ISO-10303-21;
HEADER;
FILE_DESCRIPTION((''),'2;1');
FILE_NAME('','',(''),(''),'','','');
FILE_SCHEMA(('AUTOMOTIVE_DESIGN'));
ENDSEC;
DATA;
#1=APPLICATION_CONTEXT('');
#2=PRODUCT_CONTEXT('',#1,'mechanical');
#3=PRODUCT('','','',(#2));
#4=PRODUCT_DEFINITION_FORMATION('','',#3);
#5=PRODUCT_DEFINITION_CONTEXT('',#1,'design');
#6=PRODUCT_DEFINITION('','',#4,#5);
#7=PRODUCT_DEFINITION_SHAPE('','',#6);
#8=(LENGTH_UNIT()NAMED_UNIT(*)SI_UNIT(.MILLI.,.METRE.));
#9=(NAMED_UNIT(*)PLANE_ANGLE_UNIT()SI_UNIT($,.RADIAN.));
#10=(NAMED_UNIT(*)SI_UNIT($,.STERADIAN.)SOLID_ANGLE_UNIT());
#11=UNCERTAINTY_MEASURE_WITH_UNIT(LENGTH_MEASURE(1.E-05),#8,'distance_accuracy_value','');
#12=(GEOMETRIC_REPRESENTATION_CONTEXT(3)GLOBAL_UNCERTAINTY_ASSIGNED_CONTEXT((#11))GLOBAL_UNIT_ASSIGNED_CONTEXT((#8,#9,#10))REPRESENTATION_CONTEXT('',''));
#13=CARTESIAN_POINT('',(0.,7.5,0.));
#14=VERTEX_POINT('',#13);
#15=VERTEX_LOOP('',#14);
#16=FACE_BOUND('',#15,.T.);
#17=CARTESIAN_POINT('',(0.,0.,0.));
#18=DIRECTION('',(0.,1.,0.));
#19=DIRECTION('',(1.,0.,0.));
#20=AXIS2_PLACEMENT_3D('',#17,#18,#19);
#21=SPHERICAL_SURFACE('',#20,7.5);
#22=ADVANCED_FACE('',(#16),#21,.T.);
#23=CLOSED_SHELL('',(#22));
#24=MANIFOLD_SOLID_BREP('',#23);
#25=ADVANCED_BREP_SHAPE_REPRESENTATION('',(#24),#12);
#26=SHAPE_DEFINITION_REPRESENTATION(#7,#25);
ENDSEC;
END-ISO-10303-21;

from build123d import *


with BuildPart() as part:
    # Croquis1 → Revolución3 (revolve)
    with BuildSketch(Plane.XY):
        with BuildLine():
            Line((0, 7.5), (0, -7.5))
            ThreePointArc((0, -7.5), (-7.5, 0), (0, 7.5))
        make_face()
    revolve(axis=Axis((0, 7.5, 0), (0, -1, 0)))


solid = part.part
